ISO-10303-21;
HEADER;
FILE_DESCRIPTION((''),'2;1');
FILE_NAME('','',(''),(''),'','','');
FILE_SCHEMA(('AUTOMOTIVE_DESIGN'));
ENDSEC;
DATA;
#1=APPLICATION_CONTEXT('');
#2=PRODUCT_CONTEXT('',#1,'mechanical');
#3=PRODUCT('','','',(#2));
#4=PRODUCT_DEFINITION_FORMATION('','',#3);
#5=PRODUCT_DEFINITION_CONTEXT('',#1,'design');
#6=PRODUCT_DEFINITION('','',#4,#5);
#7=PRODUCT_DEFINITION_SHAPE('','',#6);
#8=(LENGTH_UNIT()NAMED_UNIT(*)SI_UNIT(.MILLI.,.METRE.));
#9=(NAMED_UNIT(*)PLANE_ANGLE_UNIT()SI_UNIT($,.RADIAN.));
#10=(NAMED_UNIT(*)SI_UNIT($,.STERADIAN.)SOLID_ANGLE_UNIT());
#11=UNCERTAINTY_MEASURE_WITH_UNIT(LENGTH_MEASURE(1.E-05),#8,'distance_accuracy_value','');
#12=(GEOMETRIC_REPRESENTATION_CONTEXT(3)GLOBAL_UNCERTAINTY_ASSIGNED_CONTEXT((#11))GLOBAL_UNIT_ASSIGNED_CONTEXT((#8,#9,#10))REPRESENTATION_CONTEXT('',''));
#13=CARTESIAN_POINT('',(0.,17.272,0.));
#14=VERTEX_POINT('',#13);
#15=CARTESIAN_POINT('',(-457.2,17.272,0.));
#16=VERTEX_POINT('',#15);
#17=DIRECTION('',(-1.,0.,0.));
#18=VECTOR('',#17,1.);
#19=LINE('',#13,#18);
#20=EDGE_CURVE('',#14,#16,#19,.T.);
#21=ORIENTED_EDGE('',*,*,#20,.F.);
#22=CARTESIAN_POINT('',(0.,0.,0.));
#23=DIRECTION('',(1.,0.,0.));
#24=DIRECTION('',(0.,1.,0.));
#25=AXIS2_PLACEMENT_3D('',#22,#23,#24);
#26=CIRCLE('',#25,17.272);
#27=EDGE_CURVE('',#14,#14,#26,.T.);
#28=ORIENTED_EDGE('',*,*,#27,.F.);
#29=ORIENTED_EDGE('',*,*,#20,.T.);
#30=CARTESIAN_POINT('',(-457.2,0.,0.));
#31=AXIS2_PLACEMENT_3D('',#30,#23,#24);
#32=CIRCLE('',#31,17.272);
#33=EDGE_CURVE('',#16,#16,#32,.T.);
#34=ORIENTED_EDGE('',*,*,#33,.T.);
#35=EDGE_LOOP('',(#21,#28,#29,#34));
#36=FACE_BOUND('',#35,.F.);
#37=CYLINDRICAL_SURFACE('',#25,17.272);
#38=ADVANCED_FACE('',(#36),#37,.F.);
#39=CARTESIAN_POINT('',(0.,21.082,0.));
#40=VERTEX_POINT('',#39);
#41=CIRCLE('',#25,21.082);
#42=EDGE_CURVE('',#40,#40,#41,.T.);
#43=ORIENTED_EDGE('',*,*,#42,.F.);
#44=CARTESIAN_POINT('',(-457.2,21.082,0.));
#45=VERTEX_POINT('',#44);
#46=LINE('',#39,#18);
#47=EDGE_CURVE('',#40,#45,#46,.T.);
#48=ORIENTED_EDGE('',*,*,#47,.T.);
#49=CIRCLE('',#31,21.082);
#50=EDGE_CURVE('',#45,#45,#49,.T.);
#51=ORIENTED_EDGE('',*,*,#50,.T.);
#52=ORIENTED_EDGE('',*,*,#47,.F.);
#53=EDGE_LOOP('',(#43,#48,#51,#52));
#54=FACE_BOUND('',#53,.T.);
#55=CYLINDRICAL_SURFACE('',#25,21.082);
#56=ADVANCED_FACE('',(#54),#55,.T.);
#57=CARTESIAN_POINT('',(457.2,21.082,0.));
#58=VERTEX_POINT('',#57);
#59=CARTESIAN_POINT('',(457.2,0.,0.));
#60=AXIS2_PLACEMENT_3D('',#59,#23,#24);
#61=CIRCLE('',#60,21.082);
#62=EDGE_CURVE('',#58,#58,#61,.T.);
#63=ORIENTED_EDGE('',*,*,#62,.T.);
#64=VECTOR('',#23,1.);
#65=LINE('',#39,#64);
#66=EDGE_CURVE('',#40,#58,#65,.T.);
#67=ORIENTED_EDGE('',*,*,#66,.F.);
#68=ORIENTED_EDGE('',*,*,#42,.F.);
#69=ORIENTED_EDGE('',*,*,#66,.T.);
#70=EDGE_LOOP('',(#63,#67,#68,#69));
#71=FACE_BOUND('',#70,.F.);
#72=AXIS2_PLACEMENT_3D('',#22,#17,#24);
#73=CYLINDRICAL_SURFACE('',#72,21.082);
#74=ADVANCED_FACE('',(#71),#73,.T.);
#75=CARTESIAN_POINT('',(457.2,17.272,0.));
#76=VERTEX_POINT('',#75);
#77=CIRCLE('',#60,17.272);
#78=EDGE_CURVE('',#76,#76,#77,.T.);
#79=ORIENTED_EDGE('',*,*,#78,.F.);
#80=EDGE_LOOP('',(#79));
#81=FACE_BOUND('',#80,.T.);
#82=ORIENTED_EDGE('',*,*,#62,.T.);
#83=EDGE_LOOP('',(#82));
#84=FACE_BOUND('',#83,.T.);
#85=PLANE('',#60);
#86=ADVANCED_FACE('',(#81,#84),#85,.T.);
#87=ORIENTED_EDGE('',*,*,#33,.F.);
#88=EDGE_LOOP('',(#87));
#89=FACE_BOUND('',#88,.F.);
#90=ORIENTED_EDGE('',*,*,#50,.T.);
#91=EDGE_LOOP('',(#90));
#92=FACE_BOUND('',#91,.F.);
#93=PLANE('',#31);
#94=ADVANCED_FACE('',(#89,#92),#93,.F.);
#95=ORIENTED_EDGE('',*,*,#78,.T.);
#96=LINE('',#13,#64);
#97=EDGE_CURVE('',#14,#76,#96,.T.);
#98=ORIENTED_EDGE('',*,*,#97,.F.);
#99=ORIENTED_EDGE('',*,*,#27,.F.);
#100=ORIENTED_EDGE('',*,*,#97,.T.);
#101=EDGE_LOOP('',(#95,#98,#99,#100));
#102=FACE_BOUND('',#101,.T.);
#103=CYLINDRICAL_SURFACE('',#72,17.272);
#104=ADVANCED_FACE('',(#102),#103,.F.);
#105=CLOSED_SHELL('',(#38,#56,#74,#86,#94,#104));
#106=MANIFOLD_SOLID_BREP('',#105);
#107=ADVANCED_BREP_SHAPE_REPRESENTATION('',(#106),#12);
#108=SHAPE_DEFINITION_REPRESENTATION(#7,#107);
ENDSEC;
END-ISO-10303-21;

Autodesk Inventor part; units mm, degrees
ref_plane "YZ Plane" through (0, 0, 0) normal (1, 0, 0) x (0, 1, 0)
ref_plane "XZ Plane" through (0, 0, 0) normal (0, 1, 0) x (-1, 0, 0)
ref_plane "XY Plane" through (0, 0, 0) normal (0, 0, 1) x (1, 0, 0)
sketch "Sketch1" plane through (0, 0, 0) normal (1, 0, 0) x (0, 1, 0)
  circle A0 centre (0, 0) radius 21.082
  circle A1 centre (0, 0) radius 17.272
  dimension "d0" = 42.164
  dimension "d1" = 34.544
extrude "Extrusion1" add sketch "Sketch1" along normal mid plane 914.4
properties part number "PVC Pipe 1.25 IN D"
